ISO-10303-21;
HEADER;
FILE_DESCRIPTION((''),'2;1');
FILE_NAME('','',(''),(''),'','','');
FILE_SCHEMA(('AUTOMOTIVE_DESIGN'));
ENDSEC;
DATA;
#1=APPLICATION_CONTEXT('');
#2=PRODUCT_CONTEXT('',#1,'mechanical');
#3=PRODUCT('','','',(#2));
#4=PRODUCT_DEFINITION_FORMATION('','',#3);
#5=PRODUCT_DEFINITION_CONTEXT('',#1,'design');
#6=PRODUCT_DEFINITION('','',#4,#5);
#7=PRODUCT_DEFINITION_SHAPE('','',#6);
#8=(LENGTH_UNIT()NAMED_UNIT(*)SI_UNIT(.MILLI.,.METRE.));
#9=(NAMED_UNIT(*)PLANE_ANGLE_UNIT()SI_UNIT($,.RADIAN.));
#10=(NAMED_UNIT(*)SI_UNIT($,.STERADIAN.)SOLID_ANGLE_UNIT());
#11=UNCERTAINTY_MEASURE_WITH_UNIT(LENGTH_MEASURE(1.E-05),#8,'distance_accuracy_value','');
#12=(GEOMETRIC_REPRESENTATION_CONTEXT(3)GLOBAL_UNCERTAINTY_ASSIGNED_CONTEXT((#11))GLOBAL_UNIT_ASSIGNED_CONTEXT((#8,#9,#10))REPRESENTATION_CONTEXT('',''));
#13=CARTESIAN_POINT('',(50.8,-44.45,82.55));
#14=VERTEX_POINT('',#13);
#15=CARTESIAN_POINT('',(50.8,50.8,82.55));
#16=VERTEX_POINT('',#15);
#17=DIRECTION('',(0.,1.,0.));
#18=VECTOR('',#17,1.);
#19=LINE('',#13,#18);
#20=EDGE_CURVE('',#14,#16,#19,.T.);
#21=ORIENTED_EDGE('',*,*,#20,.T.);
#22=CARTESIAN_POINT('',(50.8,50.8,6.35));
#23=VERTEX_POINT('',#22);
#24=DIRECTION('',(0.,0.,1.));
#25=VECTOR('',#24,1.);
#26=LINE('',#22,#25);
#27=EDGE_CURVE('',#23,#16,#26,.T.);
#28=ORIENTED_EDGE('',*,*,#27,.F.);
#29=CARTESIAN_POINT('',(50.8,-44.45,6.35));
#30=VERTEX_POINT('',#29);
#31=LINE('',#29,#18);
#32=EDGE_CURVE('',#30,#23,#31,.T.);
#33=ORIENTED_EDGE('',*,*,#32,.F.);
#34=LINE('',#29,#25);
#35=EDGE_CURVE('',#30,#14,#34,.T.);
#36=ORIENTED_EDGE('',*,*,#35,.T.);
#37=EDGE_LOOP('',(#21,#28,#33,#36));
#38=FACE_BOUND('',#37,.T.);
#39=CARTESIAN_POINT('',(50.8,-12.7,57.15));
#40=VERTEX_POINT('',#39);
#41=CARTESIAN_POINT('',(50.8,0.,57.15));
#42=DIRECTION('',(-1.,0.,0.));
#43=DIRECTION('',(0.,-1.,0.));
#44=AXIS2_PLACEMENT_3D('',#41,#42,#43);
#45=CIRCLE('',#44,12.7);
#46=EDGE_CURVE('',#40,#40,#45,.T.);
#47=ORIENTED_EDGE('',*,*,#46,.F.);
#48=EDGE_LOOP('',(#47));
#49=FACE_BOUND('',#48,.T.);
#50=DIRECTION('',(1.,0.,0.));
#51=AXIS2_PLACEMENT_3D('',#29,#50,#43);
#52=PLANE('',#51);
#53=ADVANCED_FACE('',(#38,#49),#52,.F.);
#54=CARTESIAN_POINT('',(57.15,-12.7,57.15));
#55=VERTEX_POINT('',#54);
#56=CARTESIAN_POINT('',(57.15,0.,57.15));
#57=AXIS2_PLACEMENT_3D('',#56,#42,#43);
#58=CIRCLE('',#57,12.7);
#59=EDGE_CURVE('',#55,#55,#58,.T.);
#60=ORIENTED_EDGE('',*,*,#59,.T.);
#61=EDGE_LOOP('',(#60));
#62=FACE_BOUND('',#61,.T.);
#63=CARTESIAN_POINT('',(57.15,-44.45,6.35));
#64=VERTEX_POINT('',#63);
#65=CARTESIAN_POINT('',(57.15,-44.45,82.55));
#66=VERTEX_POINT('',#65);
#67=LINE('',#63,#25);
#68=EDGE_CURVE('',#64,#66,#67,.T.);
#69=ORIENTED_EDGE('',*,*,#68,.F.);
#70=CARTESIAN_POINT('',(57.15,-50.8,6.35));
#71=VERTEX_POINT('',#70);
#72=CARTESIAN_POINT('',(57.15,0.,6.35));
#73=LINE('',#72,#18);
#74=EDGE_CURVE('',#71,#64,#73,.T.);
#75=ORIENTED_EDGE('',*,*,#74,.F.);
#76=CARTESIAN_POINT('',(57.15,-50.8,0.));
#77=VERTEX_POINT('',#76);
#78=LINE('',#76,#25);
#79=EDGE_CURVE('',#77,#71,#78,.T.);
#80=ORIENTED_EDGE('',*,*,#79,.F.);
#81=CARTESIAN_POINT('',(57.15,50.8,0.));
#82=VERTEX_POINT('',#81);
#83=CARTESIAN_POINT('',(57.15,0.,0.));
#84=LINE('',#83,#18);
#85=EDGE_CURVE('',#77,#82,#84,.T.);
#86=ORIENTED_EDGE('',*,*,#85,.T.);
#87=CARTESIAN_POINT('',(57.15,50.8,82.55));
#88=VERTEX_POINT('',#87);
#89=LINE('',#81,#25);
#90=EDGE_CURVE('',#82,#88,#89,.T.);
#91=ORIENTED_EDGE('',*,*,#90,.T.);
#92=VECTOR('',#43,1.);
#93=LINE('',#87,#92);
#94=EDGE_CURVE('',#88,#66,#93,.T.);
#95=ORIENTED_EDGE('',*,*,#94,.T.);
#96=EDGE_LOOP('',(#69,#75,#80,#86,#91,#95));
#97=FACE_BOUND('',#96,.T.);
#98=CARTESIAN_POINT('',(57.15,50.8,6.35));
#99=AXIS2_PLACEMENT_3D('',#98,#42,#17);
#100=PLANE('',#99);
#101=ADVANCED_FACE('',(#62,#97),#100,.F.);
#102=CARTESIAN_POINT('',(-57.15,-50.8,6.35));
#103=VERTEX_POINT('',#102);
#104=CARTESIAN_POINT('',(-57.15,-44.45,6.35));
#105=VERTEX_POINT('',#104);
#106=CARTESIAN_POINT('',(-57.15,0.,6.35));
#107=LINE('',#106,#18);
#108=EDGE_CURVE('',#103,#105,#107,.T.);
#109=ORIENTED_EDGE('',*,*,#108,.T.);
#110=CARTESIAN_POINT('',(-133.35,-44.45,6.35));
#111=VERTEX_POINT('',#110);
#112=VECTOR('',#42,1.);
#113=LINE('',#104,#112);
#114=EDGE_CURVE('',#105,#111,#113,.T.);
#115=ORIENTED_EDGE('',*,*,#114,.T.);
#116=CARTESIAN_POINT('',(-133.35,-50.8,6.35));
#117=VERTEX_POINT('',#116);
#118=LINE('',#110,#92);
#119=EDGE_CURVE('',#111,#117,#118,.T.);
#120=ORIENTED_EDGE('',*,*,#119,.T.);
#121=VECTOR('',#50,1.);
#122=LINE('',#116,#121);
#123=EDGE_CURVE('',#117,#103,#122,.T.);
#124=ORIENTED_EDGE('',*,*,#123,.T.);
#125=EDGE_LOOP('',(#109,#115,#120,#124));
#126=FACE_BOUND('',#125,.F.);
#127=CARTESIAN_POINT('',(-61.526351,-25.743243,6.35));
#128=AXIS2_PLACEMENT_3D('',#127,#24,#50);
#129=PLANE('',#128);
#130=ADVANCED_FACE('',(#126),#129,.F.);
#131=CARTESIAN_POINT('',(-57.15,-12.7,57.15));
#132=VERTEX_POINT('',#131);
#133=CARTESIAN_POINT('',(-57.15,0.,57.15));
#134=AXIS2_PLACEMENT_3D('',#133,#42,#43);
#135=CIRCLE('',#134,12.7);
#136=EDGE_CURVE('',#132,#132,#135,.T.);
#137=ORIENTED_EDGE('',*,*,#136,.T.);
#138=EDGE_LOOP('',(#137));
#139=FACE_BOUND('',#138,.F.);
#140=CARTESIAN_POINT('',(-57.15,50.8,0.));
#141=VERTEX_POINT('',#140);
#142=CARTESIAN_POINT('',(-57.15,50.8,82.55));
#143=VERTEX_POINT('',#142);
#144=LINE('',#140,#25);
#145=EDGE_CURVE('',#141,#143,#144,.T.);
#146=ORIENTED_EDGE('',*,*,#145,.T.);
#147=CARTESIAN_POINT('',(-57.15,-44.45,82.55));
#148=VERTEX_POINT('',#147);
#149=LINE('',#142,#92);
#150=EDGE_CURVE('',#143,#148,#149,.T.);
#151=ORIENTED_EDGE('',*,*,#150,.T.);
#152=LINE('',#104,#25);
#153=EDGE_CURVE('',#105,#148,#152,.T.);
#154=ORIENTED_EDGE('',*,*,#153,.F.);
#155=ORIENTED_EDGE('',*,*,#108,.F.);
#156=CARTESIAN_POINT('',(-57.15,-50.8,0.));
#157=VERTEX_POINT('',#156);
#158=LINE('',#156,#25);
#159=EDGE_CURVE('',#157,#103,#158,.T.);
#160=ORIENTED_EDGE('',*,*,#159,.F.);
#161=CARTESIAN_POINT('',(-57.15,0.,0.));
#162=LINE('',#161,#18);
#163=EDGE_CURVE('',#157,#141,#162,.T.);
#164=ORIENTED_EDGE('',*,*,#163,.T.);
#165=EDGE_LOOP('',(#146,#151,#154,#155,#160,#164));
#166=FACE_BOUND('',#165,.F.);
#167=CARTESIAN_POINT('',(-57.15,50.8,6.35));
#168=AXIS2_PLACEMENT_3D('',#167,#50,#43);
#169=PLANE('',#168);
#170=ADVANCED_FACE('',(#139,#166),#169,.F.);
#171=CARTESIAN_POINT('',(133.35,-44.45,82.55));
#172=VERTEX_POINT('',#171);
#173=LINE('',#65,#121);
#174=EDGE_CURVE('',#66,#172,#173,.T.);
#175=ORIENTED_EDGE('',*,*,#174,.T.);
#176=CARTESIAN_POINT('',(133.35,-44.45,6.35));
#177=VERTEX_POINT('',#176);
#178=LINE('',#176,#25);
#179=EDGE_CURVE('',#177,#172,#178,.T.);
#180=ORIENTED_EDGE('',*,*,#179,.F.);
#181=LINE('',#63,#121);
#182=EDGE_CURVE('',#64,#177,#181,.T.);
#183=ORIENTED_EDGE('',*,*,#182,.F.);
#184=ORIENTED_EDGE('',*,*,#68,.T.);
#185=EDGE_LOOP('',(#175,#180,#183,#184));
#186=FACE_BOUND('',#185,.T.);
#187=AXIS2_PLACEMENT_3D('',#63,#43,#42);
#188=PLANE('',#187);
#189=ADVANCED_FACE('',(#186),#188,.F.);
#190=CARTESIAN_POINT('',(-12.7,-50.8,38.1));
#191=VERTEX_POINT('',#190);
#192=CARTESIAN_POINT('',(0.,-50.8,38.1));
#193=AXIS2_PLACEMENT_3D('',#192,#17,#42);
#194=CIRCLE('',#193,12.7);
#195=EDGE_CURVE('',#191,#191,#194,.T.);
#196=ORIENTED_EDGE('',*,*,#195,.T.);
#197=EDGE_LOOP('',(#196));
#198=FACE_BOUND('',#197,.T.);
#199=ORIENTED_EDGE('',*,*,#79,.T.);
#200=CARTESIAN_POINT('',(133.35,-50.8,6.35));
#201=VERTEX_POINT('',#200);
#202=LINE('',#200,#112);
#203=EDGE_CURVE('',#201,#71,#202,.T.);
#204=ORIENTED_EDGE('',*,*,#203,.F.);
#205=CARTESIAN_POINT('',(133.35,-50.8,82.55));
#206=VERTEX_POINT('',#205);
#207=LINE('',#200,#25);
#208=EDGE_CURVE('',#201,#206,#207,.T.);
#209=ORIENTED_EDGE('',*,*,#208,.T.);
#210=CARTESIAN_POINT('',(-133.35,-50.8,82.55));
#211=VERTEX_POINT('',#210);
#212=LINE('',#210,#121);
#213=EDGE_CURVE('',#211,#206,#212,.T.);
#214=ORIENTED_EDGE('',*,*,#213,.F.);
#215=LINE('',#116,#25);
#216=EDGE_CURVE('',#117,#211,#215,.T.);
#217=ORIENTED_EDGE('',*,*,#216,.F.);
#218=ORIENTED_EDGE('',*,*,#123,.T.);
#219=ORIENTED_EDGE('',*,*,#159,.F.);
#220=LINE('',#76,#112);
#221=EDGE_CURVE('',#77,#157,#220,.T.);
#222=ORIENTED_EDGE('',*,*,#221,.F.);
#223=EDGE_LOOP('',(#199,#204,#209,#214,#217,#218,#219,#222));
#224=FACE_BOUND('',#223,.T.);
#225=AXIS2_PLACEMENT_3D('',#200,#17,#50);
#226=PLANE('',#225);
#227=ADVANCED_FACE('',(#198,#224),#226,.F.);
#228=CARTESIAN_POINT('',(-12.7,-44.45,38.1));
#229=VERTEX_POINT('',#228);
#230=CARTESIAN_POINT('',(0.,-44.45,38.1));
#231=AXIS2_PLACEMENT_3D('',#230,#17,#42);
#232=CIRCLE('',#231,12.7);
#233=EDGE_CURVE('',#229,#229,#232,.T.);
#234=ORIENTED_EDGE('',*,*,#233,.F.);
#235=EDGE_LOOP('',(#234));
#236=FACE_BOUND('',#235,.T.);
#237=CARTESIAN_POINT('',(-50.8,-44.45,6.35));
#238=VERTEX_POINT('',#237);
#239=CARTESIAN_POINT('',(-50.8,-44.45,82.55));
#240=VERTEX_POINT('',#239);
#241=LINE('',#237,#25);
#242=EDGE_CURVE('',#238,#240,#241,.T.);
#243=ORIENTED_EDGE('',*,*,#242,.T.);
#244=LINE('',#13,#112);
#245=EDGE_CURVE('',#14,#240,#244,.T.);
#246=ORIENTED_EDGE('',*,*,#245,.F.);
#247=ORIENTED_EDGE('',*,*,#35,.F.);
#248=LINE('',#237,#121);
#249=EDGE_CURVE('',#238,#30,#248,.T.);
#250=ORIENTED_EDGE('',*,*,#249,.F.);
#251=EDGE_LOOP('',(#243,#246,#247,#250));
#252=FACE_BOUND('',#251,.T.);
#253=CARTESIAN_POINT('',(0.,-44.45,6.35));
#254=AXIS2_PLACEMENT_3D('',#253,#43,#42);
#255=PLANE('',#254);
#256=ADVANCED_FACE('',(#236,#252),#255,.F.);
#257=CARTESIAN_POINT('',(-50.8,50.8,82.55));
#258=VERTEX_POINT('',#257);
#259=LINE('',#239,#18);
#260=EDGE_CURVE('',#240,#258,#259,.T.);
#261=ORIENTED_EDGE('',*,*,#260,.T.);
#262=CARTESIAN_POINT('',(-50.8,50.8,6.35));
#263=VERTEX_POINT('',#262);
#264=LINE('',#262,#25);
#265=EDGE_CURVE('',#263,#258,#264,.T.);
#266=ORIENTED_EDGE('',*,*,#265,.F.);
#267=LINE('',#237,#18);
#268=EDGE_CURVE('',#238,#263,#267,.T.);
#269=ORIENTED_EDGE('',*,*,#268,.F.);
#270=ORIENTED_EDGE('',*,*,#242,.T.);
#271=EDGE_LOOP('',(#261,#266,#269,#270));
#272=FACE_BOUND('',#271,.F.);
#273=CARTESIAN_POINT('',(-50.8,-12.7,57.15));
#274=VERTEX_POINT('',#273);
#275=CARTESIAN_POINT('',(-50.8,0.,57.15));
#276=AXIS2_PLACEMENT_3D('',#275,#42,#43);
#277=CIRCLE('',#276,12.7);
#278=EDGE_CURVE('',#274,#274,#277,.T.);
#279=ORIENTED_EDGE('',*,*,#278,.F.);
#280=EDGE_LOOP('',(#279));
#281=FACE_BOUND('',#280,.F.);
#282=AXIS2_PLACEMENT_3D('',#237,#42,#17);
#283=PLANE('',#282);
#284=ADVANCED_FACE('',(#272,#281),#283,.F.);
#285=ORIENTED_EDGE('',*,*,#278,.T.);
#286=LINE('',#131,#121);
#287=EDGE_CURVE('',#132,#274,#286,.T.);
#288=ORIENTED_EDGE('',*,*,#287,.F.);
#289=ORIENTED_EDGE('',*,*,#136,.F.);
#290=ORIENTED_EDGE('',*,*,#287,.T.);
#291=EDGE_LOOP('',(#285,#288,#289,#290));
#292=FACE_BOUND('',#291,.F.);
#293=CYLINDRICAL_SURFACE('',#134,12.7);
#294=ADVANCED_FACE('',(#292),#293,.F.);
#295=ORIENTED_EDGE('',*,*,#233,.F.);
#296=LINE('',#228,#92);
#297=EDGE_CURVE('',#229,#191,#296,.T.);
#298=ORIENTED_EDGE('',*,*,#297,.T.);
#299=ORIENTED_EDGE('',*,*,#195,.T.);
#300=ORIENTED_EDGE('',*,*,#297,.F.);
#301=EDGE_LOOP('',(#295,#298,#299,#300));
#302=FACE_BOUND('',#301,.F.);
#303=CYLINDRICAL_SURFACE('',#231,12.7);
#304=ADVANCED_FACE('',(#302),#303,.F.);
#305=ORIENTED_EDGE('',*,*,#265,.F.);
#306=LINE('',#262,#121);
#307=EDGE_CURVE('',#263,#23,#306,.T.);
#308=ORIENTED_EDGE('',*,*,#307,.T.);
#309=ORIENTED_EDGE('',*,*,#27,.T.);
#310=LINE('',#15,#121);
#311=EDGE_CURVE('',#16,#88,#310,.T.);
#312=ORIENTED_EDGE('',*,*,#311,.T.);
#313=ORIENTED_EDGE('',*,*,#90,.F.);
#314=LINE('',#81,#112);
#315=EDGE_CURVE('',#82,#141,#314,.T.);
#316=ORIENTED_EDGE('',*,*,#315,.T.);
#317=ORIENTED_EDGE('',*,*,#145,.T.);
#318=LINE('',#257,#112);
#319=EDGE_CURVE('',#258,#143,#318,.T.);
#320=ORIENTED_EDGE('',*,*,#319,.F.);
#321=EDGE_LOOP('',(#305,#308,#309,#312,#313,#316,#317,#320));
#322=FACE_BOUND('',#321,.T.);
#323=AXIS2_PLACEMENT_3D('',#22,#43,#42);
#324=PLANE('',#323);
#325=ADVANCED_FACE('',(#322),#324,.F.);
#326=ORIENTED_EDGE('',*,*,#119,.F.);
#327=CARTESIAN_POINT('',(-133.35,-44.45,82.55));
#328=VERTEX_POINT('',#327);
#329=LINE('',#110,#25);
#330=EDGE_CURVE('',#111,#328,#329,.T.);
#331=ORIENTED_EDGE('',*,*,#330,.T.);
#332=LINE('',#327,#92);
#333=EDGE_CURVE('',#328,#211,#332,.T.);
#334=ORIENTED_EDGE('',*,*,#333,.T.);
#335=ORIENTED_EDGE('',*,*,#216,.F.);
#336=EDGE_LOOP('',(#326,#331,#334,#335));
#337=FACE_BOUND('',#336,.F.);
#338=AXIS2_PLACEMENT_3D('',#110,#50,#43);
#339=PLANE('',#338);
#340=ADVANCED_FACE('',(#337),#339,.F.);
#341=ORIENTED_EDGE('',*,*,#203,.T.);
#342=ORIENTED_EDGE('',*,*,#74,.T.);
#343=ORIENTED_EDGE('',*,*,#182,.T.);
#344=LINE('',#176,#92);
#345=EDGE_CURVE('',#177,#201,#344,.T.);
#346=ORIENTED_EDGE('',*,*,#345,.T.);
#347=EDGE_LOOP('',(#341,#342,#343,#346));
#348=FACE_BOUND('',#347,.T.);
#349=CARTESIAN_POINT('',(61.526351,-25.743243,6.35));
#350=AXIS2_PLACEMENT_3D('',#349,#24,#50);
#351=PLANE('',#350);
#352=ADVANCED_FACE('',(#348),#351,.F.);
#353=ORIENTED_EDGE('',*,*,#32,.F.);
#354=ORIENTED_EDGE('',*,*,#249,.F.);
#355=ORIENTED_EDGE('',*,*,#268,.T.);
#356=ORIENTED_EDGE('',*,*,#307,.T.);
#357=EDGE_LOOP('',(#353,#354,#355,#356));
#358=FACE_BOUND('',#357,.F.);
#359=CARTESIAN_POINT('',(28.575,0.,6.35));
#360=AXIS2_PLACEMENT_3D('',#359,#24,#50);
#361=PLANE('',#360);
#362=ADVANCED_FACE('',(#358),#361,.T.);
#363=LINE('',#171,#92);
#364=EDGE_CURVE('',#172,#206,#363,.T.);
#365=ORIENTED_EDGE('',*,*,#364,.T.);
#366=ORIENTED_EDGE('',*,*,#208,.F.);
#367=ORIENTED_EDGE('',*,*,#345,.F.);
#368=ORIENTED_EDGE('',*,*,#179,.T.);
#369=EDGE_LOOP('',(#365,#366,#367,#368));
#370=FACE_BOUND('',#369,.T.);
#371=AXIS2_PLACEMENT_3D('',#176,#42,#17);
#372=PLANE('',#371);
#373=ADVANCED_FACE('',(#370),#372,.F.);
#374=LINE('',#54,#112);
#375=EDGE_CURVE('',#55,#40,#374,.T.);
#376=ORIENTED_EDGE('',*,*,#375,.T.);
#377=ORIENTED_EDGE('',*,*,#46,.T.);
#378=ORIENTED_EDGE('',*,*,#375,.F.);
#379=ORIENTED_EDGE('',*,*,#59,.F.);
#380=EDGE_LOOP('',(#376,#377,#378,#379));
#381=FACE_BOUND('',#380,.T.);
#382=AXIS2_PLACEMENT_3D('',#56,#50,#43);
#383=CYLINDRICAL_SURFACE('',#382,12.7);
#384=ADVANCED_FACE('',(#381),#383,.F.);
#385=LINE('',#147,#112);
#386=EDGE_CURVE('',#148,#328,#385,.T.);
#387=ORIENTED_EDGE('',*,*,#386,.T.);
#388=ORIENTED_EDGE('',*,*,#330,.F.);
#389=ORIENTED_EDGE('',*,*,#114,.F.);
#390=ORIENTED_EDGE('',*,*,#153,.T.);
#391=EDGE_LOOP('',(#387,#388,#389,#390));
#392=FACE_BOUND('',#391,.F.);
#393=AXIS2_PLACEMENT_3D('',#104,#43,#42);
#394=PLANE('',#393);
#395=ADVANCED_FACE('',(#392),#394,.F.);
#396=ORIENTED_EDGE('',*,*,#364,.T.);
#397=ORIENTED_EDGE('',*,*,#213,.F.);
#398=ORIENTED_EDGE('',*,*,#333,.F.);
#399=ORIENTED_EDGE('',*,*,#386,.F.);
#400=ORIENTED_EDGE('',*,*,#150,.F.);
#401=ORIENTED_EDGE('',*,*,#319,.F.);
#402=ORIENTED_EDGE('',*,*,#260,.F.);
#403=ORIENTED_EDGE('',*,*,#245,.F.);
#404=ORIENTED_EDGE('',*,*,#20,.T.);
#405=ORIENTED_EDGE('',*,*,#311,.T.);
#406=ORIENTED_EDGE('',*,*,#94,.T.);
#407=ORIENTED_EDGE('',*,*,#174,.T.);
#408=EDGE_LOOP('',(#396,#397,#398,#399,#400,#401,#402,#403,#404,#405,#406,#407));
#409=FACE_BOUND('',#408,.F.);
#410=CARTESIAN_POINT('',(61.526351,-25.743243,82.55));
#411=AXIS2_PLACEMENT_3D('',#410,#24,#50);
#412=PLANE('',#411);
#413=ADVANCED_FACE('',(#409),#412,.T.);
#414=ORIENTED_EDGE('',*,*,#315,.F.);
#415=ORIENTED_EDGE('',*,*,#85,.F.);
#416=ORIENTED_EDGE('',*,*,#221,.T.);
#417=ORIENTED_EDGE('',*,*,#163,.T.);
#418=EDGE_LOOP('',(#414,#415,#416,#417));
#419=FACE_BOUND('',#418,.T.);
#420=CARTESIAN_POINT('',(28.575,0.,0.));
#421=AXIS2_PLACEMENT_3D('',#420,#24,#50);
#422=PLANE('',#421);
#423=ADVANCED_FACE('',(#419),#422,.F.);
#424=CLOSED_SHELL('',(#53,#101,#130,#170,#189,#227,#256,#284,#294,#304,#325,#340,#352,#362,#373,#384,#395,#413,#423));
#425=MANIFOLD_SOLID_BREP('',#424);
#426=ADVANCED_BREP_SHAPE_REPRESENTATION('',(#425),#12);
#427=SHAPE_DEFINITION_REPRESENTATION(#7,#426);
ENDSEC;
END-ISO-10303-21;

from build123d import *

# Parameters (mm, degrees)
F0_W     = 57.15
F0_H     = 101.6
F1_DEPTH = 6.35
F3_DEPTH = 76.2
F4_R     = 12.7
F5_DEPTH = 6.35
F7_R     = 12.7
F8_DEPTH = 6.35


with BuildPart() as f1:
    # F0 (on Top) → F1 (new body)
    with BuildSketch(Plane.XY):
        with Locations((-28.575, 0)):
            Rectangle(F0_W, F0_H)
    extrude(amount=F1_DEPTH)

    # F2 (on face) → F3 (join)
    with BuildSketch(Plane.XY.offset(6.35)):
        Polygon((-50.8, 50.8), (-57.15, 50.8), (-57.15, -44.45), (-133.35, -44.45), (-133.35, -50.8), (0, -50.8), (0, -44.45), (-50.8, -44.45), align=None)
    extrude(amount=F3_DEPTH)

    # F4 (on face) → F5 (cut, through all)
    with BuildSketch(Plane(origin=(-57.15, 0, 0), x_dir=(0, -1, 0), z_dir=(-1, 0, 0))):
        with Locations((0, 57.15)):
            Circle(F4_R)
    extrude(amount=-F5_DEPTH, mode=Mode.SUBTRACT)

    # F6: F1 across plane


with BuildPart() as f1_1:
    add(f1.part)
    add(f1.part.mirror(Plane.YZ))

    # F7 (on face) → F8 (cut, through all)
    with BuildSketch(Plane(origin=(0, -44.45, 0), x_dir=(-1, 0, 0), z_dir=(0, 1, 0))):
        with Locations((0, 38.1)):
            Circle(F7_R)
    extrude(amount=-F8_DEPTH, mode=Mode.SUBTRACT)


solid = f1_1.part
